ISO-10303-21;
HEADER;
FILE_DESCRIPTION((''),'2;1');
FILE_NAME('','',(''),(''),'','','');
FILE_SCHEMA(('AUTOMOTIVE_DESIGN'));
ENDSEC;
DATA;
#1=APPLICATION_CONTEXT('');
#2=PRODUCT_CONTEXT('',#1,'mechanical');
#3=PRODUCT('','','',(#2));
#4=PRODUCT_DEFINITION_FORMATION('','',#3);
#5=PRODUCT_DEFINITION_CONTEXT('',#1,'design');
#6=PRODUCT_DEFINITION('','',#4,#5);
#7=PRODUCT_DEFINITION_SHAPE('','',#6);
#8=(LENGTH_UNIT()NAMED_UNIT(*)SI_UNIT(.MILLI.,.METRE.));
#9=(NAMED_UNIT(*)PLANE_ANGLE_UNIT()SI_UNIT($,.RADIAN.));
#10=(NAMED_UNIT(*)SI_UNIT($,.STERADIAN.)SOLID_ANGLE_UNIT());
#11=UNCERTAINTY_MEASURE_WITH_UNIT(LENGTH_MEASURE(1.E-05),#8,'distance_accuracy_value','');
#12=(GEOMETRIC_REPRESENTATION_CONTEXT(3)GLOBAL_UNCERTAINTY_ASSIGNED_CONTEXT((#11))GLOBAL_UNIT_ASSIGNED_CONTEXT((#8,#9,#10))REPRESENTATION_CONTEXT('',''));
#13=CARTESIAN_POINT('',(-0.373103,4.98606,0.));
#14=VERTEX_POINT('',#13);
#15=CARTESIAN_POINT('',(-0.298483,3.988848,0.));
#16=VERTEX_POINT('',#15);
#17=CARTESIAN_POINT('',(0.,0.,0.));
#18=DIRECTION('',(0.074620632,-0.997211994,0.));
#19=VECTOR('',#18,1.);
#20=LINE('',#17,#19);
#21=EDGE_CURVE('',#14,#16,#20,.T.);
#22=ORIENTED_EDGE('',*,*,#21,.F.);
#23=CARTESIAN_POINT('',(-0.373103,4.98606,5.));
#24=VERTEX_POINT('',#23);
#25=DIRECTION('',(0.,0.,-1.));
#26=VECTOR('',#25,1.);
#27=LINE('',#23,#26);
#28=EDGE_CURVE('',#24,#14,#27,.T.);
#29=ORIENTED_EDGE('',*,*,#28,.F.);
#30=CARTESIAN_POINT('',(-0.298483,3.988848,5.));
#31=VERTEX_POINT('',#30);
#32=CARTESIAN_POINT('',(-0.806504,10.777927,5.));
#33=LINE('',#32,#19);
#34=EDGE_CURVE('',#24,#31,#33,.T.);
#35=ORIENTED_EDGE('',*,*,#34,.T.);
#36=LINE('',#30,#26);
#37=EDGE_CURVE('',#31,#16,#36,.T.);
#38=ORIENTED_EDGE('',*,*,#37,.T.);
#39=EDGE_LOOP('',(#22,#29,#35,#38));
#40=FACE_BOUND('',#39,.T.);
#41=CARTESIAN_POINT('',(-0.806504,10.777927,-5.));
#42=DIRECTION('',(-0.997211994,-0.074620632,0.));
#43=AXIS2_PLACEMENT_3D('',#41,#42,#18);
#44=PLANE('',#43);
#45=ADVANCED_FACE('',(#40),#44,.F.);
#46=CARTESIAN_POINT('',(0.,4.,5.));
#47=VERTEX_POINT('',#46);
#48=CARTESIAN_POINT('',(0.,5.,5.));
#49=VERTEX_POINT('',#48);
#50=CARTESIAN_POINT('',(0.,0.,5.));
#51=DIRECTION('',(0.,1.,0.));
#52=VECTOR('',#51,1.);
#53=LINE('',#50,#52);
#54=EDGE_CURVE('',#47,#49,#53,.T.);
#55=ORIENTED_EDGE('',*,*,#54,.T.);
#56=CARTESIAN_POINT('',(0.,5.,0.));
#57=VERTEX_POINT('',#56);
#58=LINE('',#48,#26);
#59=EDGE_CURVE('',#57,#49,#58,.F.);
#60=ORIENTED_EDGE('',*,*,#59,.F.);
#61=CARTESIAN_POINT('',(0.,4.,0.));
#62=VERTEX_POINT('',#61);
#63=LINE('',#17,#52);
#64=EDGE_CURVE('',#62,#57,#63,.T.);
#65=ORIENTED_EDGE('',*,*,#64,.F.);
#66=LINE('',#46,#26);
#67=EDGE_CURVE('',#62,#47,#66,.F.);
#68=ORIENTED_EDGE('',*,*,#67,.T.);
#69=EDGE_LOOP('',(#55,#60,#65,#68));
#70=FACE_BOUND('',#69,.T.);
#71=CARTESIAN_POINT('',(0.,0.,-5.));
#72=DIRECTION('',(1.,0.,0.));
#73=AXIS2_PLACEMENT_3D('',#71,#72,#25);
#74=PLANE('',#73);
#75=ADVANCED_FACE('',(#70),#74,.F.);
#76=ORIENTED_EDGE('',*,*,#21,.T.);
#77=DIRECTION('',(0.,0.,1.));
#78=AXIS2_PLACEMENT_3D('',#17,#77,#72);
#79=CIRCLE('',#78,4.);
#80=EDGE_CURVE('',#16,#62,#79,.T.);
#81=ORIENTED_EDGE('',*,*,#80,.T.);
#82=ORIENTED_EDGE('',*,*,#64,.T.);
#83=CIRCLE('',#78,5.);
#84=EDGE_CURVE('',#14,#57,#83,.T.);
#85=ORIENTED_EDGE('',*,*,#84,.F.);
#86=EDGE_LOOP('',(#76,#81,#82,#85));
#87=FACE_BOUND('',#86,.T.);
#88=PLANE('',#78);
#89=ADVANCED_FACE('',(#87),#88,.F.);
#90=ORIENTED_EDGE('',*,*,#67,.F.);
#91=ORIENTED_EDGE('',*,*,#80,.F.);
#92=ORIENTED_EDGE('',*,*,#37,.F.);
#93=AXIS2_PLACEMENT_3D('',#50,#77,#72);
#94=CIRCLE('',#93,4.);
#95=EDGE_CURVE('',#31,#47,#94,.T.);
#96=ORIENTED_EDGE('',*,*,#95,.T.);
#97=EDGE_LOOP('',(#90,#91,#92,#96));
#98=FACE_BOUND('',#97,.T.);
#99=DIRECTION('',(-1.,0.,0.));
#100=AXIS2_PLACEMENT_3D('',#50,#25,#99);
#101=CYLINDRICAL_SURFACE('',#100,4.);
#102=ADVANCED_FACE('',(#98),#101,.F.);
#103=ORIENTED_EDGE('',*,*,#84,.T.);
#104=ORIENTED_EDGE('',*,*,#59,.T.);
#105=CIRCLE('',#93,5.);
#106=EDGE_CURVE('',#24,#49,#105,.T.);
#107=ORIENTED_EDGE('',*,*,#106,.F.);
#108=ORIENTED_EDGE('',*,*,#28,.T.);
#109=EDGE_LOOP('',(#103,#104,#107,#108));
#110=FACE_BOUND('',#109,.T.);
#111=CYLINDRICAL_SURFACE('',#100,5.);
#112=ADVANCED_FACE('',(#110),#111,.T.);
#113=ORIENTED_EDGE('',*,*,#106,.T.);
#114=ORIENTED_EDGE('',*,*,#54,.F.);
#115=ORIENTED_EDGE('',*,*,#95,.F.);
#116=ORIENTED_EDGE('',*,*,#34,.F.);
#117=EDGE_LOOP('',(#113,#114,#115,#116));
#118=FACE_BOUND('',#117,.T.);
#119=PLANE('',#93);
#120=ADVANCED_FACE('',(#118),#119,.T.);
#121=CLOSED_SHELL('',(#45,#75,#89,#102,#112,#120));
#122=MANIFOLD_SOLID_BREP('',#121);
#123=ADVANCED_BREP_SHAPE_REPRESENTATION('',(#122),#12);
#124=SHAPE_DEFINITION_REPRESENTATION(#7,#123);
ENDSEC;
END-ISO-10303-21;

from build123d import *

# Parameters (mm, degrees)
SKETCH_1_R          = 5
SKETCH_1_R_2        = 4
EXTRUDE_1_DEPTH     = 5
CUT_EXTRUDE_1_DEPTH = 10


with BuildPart() as part:
    # 草图1 → 凸台-拉伸1 (new body)
    with BuildSketch(Plane.XY):
        Circle(SKETCH_1_R)
        Circle(SKETCH_1_R_2, mode=Mode.SUBTRACT)
    extrude(amount=EXTRUDE_1_DEPTH)

    # 草图2 → 切除-拉伸1 (cut)
    with BuildSketch(Plane.XY.offset(5)):
        Polygon((0, 0), (0, 10.777927296), (-0.806504289, 10.777927296), align=None)
    extrude(amount=-CUT_EXTRUDE_1_DEPTH, mode=Mode.SUBTRACT)


solid = part.part
